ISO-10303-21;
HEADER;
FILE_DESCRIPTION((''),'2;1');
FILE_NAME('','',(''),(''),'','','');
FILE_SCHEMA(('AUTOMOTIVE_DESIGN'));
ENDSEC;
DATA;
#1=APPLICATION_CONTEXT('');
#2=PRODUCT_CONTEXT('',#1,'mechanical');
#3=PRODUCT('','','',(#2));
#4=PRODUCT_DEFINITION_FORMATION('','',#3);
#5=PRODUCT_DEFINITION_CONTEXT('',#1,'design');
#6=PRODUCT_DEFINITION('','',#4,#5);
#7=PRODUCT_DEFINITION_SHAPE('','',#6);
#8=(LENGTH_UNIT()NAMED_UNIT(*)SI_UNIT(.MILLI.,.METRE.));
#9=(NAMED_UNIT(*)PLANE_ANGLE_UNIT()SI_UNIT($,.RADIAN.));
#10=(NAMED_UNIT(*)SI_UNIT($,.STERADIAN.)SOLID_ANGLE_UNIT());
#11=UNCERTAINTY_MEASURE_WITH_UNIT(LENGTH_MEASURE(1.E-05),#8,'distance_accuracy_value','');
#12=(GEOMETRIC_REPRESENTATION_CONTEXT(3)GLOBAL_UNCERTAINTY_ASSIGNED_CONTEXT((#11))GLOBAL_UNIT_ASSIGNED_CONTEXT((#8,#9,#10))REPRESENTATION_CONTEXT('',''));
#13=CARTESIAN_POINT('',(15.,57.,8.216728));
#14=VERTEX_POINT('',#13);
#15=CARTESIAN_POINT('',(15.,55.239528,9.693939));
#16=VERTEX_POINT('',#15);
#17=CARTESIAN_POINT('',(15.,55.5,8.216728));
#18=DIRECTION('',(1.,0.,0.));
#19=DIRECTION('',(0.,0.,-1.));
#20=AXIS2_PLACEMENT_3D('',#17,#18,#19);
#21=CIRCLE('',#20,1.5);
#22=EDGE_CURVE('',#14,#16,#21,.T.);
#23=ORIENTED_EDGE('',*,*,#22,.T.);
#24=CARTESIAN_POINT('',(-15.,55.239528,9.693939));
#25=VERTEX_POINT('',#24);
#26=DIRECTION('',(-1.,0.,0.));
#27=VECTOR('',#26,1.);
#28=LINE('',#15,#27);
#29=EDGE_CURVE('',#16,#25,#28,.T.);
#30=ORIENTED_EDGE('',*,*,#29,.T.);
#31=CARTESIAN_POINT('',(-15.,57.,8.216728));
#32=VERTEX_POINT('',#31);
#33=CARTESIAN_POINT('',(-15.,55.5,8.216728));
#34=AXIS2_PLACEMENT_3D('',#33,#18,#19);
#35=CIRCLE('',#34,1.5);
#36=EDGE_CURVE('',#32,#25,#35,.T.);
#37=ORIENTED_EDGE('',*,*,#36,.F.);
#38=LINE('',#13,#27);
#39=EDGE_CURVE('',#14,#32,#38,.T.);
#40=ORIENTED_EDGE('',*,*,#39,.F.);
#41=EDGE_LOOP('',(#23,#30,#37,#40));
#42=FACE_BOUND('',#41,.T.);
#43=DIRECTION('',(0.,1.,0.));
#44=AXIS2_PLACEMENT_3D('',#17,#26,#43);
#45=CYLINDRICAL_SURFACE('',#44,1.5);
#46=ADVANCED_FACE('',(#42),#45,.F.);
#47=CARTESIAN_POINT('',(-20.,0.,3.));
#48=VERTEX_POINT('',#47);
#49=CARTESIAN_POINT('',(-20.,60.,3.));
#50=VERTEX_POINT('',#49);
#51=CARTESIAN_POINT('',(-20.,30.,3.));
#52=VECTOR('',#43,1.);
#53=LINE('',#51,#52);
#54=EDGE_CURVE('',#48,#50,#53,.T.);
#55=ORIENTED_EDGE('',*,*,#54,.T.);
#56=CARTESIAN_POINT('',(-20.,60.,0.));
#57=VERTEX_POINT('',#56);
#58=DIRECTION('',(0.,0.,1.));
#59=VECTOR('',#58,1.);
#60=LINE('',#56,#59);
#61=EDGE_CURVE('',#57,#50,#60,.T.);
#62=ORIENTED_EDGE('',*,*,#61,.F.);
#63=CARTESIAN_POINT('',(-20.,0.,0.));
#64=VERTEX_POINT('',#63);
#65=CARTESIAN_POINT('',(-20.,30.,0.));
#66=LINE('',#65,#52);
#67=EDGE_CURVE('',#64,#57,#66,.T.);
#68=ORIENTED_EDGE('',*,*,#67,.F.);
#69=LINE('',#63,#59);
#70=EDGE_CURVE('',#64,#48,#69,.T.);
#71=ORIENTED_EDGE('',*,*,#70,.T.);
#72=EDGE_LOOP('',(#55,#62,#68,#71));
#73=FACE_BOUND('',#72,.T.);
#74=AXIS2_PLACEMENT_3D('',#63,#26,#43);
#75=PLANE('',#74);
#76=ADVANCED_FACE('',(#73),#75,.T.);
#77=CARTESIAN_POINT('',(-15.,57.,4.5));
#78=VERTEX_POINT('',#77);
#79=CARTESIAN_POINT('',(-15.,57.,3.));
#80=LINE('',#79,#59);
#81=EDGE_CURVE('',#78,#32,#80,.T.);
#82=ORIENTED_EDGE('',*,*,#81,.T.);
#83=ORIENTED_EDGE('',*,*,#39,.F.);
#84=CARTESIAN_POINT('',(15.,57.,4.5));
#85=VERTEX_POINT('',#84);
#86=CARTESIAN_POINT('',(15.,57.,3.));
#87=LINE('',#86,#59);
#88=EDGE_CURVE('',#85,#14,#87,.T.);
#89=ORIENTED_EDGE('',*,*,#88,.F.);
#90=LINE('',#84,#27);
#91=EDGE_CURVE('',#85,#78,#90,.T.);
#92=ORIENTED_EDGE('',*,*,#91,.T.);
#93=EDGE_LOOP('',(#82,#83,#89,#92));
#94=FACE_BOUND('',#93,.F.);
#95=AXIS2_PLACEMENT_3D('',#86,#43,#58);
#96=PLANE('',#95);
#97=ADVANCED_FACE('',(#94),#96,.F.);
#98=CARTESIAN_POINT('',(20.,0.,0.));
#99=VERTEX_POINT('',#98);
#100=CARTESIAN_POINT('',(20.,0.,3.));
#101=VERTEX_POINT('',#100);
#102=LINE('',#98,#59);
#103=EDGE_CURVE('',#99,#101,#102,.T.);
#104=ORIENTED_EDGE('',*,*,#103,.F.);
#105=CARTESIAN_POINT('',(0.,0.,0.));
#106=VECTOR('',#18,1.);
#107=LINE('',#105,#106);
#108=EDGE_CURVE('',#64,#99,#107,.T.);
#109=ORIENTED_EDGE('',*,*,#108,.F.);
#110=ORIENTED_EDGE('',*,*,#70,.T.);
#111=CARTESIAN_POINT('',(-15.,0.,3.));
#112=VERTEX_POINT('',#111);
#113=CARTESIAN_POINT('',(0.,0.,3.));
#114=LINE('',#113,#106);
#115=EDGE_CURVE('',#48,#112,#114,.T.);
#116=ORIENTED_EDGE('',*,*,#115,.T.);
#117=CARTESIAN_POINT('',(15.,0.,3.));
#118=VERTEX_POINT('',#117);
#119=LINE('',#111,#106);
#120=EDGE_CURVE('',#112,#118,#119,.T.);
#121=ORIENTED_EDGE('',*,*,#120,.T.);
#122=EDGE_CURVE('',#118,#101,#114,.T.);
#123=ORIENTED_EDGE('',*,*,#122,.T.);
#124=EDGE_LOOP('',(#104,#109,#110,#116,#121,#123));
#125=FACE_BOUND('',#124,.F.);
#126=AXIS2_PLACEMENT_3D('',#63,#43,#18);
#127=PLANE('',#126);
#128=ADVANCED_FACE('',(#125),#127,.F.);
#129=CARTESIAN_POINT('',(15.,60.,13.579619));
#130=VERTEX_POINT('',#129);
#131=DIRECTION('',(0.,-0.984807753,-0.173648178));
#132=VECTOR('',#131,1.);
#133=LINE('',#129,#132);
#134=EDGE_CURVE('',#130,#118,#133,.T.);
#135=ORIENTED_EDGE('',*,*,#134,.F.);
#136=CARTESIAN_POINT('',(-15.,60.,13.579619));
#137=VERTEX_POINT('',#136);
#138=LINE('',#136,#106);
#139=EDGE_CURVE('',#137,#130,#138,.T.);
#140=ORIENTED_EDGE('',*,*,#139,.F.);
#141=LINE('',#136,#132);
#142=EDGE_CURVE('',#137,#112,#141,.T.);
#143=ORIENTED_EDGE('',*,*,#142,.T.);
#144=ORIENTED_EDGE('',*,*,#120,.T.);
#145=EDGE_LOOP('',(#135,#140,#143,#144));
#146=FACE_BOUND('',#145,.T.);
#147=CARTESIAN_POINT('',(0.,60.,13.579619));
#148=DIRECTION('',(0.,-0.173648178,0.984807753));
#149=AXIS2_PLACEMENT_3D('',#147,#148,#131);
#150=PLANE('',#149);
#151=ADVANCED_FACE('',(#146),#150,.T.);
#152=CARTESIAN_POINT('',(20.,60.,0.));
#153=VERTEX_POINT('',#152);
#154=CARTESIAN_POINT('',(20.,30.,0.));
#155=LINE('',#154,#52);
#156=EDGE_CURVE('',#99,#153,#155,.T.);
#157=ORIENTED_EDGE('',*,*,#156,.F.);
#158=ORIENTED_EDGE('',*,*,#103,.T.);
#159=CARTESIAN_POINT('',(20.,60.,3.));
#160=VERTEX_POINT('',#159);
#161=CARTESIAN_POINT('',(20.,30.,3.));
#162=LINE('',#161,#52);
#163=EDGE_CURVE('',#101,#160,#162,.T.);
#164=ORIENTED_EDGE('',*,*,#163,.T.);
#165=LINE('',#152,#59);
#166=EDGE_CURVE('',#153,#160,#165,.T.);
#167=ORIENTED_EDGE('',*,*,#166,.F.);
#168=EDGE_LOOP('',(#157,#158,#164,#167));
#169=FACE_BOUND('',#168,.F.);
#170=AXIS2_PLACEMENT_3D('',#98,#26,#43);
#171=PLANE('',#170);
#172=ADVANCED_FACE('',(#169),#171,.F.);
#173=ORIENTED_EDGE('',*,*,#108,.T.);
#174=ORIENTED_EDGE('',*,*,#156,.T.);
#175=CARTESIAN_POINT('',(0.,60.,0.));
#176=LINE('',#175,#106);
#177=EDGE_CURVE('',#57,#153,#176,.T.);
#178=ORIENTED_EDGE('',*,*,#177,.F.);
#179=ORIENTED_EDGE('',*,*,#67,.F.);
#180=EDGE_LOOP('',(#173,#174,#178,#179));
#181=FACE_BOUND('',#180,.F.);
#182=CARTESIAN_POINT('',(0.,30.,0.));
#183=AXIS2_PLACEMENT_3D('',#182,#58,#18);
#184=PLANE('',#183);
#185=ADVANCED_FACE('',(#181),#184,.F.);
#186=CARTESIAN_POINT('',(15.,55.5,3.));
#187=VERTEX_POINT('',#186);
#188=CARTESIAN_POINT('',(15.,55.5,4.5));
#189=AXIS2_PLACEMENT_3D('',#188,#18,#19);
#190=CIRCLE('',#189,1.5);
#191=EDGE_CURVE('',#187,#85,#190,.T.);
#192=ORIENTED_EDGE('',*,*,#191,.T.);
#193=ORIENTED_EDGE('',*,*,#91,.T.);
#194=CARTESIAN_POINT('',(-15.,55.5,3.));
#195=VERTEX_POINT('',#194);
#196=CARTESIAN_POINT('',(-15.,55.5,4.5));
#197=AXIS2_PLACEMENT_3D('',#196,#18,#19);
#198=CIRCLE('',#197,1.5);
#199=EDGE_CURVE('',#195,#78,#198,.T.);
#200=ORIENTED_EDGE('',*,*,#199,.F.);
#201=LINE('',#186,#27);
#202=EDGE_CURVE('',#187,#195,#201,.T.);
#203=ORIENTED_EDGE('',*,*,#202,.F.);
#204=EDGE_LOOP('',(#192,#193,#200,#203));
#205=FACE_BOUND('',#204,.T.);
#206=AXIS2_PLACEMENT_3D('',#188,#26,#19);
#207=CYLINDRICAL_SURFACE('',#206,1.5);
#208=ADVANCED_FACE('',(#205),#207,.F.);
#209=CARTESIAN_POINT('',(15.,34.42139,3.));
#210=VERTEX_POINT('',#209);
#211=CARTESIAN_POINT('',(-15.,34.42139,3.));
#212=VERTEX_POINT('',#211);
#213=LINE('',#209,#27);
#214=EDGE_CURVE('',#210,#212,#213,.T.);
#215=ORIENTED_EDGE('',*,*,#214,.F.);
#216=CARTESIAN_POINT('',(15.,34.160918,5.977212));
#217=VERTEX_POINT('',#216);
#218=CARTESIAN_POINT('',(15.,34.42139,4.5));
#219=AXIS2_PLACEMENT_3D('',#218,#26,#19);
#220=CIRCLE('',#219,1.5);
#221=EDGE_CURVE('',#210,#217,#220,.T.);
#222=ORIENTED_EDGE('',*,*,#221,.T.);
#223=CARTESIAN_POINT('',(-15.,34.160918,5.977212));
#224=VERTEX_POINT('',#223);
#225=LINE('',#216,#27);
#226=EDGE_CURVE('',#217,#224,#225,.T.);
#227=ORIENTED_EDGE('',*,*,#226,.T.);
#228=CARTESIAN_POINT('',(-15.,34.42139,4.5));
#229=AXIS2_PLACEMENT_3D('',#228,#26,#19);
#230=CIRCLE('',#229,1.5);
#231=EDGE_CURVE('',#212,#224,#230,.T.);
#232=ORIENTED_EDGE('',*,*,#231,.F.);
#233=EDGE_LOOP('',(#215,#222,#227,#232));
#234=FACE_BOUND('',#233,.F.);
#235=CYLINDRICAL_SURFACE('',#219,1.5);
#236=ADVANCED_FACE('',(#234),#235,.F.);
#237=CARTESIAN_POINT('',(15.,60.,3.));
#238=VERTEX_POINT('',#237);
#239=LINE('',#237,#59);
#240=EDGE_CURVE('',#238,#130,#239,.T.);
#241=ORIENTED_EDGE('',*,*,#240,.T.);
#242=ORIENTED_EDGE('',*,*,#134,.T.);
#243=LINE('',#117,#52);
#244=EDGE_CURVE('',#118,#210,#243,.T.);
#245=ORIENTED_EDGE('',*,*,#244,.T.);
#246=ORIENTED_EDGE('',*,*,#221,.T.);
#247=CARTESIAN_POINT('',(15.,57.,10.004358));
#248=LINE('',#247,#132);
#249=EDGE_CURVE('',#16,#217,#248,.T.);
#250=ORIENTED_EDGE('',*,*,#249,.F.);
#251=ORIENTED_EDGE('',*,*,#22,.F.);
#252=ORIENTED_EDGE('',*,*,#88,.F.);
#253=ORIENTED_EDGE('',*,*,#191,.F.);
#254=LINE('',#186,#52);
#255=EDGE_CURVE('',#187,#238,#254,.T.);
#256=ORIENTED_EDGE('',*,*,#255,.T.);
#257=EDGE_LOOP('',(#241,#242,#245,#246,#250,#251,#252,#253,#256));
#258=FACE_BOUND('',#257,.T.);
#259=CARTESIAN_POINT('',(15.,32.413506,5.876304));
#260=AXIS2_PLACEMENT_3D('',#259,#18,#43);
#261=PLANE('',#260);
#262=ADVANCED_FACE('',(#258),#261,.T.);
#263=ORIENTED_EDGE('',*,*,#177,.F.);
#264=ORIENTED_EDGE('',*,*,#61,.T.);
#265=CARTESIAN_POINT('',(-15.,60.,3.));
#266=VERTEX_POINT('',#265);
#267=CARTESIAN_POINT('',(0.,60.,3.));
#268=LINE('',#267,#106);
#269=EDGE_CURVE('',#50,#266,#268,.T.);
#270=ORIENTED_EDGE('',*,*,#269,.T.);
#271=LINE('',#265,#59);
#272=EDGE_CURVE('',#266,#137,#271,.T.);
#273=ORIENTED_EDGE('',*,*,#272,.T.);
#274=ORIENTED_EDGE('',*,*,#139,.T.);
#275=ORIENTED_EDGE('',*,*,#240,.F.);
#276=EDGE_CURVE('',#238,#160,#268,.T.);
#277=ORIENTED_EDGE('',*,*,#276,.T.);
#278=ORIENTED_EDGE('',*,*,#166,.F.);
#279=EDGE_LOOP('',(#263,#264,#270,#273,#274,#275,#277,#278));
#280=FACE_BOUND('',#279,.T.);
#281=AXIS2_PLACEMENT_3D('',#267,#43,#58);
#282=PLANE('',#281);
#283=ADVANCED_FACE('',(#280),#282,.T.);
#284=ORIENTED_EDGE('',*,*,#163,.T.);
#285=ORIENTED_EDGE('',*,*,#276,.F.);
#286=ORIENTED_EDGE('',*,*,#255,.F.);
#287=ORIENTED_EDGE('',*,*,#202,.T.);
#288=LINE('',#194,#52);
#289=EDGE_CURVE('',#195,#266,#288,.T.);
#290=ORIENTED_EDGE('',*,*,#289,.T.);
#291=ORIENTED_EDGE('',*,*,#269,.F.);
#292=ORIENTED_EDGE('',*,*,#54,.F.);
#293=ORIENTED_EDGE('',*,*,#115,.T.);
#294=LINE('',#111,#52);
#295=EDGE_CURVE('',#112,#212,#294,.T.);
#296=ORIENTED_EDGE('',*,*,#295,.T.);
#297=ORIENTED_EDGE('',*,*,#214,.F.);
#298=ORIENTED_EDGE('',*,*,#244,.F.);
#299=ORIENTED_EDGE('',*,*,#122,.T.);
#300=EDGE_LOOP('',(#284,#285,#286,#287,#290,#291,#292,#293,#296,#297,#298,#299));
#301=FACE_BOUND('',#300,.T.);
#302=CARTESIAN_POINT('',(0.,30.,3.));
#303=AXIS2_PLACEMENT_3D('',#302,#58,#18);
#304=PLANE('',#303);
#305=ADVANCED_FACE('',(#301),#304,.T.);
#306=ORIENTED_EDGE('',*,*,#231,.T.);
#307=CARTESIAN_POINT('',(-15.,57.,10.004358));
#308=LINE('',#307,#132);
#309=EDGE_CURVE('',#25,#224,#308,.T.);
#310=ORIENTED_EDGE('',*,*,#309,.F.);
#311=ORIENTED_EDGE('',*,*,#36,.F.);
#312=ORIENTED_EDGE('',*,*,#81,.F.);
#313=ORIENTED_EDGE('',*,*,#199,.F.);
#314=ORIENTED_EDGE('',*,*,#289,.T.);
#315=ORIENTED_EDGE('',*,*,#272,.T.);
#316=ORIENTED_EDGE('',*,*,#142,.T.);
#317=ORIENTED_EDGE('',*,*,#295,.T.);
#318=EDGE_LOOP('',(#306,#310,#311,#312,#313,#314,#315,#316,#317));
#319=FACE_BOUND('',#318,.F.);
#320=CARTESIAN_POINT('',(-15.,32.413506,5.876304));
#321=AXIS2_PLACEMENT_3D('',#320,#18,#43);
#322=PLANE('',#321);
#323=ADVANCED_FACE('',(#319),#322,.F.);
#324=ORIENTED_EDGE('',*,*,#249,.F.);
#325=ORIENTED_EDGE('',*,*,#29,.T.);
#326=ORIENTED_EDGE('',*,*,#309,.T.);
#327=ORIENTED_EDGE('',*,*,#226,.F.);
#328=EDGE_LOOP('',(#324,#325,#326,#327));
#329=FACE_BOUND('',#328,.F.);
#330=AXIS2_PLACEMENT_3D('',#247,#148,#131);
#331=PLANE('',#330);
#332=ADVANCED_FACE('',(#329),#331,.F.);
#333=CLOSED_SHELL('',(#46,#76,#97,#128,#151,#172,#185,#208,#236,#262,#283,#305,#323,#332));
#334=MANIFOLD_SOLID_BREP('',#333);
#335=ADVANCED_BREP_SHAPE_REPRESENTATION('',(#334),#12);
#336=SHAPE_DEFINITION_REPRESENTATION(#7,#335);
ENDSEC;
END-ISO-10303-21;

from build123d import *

# Parameters (mm, degrees)
F2_W          = 40
F2_H          = 60
F3_DEPTH      = 3
F5_DEPTH      = 15
F5_DEPTH_BACK = 15
F7_DEPTH      = 30
F8_R          = 1.5


with BuildPart() as f3:
    # F2 (on Top) → F3 (new body)
    with BuildSketch(Plane.XY):
        with Locations((0, 30)):
            Rectangle(F2_W, F2_H)
    extrude(amount=F3_DEPTH)

    # F4 (on Right) → F5 (join, two sides)
    with BuildSketch(Plane.YZ) as f5_sk:
        Polygon((60, 3), (60, 13.5796188425), (0, 3), align=None)
    extrude(amount=F5_DEPTH)
    extrude(f5_sk.sketch, amount=-F5_DEPTH_BACK)

    # F6 (on face) → F7 (cut, through all)
    with BuildSketch(Plane.YZ.offset(15)):
        Polygon((17.2763114494, 3), (57, 3), (57, 10.0043580647), align=None)
    extrude(amount=-F7_DEPTH, mode=Mode.SUBTRACT)

    # F8
    f8_edges = [f3.edges().sort_by_distance(p)[0] for p in [
        (0, 57, 3),
        (0, 57, 10.004358),
        (0, 17.276311, 3),
    ]]
    fillet(f8_edges, radius=F8_R)


solid = f3.part
